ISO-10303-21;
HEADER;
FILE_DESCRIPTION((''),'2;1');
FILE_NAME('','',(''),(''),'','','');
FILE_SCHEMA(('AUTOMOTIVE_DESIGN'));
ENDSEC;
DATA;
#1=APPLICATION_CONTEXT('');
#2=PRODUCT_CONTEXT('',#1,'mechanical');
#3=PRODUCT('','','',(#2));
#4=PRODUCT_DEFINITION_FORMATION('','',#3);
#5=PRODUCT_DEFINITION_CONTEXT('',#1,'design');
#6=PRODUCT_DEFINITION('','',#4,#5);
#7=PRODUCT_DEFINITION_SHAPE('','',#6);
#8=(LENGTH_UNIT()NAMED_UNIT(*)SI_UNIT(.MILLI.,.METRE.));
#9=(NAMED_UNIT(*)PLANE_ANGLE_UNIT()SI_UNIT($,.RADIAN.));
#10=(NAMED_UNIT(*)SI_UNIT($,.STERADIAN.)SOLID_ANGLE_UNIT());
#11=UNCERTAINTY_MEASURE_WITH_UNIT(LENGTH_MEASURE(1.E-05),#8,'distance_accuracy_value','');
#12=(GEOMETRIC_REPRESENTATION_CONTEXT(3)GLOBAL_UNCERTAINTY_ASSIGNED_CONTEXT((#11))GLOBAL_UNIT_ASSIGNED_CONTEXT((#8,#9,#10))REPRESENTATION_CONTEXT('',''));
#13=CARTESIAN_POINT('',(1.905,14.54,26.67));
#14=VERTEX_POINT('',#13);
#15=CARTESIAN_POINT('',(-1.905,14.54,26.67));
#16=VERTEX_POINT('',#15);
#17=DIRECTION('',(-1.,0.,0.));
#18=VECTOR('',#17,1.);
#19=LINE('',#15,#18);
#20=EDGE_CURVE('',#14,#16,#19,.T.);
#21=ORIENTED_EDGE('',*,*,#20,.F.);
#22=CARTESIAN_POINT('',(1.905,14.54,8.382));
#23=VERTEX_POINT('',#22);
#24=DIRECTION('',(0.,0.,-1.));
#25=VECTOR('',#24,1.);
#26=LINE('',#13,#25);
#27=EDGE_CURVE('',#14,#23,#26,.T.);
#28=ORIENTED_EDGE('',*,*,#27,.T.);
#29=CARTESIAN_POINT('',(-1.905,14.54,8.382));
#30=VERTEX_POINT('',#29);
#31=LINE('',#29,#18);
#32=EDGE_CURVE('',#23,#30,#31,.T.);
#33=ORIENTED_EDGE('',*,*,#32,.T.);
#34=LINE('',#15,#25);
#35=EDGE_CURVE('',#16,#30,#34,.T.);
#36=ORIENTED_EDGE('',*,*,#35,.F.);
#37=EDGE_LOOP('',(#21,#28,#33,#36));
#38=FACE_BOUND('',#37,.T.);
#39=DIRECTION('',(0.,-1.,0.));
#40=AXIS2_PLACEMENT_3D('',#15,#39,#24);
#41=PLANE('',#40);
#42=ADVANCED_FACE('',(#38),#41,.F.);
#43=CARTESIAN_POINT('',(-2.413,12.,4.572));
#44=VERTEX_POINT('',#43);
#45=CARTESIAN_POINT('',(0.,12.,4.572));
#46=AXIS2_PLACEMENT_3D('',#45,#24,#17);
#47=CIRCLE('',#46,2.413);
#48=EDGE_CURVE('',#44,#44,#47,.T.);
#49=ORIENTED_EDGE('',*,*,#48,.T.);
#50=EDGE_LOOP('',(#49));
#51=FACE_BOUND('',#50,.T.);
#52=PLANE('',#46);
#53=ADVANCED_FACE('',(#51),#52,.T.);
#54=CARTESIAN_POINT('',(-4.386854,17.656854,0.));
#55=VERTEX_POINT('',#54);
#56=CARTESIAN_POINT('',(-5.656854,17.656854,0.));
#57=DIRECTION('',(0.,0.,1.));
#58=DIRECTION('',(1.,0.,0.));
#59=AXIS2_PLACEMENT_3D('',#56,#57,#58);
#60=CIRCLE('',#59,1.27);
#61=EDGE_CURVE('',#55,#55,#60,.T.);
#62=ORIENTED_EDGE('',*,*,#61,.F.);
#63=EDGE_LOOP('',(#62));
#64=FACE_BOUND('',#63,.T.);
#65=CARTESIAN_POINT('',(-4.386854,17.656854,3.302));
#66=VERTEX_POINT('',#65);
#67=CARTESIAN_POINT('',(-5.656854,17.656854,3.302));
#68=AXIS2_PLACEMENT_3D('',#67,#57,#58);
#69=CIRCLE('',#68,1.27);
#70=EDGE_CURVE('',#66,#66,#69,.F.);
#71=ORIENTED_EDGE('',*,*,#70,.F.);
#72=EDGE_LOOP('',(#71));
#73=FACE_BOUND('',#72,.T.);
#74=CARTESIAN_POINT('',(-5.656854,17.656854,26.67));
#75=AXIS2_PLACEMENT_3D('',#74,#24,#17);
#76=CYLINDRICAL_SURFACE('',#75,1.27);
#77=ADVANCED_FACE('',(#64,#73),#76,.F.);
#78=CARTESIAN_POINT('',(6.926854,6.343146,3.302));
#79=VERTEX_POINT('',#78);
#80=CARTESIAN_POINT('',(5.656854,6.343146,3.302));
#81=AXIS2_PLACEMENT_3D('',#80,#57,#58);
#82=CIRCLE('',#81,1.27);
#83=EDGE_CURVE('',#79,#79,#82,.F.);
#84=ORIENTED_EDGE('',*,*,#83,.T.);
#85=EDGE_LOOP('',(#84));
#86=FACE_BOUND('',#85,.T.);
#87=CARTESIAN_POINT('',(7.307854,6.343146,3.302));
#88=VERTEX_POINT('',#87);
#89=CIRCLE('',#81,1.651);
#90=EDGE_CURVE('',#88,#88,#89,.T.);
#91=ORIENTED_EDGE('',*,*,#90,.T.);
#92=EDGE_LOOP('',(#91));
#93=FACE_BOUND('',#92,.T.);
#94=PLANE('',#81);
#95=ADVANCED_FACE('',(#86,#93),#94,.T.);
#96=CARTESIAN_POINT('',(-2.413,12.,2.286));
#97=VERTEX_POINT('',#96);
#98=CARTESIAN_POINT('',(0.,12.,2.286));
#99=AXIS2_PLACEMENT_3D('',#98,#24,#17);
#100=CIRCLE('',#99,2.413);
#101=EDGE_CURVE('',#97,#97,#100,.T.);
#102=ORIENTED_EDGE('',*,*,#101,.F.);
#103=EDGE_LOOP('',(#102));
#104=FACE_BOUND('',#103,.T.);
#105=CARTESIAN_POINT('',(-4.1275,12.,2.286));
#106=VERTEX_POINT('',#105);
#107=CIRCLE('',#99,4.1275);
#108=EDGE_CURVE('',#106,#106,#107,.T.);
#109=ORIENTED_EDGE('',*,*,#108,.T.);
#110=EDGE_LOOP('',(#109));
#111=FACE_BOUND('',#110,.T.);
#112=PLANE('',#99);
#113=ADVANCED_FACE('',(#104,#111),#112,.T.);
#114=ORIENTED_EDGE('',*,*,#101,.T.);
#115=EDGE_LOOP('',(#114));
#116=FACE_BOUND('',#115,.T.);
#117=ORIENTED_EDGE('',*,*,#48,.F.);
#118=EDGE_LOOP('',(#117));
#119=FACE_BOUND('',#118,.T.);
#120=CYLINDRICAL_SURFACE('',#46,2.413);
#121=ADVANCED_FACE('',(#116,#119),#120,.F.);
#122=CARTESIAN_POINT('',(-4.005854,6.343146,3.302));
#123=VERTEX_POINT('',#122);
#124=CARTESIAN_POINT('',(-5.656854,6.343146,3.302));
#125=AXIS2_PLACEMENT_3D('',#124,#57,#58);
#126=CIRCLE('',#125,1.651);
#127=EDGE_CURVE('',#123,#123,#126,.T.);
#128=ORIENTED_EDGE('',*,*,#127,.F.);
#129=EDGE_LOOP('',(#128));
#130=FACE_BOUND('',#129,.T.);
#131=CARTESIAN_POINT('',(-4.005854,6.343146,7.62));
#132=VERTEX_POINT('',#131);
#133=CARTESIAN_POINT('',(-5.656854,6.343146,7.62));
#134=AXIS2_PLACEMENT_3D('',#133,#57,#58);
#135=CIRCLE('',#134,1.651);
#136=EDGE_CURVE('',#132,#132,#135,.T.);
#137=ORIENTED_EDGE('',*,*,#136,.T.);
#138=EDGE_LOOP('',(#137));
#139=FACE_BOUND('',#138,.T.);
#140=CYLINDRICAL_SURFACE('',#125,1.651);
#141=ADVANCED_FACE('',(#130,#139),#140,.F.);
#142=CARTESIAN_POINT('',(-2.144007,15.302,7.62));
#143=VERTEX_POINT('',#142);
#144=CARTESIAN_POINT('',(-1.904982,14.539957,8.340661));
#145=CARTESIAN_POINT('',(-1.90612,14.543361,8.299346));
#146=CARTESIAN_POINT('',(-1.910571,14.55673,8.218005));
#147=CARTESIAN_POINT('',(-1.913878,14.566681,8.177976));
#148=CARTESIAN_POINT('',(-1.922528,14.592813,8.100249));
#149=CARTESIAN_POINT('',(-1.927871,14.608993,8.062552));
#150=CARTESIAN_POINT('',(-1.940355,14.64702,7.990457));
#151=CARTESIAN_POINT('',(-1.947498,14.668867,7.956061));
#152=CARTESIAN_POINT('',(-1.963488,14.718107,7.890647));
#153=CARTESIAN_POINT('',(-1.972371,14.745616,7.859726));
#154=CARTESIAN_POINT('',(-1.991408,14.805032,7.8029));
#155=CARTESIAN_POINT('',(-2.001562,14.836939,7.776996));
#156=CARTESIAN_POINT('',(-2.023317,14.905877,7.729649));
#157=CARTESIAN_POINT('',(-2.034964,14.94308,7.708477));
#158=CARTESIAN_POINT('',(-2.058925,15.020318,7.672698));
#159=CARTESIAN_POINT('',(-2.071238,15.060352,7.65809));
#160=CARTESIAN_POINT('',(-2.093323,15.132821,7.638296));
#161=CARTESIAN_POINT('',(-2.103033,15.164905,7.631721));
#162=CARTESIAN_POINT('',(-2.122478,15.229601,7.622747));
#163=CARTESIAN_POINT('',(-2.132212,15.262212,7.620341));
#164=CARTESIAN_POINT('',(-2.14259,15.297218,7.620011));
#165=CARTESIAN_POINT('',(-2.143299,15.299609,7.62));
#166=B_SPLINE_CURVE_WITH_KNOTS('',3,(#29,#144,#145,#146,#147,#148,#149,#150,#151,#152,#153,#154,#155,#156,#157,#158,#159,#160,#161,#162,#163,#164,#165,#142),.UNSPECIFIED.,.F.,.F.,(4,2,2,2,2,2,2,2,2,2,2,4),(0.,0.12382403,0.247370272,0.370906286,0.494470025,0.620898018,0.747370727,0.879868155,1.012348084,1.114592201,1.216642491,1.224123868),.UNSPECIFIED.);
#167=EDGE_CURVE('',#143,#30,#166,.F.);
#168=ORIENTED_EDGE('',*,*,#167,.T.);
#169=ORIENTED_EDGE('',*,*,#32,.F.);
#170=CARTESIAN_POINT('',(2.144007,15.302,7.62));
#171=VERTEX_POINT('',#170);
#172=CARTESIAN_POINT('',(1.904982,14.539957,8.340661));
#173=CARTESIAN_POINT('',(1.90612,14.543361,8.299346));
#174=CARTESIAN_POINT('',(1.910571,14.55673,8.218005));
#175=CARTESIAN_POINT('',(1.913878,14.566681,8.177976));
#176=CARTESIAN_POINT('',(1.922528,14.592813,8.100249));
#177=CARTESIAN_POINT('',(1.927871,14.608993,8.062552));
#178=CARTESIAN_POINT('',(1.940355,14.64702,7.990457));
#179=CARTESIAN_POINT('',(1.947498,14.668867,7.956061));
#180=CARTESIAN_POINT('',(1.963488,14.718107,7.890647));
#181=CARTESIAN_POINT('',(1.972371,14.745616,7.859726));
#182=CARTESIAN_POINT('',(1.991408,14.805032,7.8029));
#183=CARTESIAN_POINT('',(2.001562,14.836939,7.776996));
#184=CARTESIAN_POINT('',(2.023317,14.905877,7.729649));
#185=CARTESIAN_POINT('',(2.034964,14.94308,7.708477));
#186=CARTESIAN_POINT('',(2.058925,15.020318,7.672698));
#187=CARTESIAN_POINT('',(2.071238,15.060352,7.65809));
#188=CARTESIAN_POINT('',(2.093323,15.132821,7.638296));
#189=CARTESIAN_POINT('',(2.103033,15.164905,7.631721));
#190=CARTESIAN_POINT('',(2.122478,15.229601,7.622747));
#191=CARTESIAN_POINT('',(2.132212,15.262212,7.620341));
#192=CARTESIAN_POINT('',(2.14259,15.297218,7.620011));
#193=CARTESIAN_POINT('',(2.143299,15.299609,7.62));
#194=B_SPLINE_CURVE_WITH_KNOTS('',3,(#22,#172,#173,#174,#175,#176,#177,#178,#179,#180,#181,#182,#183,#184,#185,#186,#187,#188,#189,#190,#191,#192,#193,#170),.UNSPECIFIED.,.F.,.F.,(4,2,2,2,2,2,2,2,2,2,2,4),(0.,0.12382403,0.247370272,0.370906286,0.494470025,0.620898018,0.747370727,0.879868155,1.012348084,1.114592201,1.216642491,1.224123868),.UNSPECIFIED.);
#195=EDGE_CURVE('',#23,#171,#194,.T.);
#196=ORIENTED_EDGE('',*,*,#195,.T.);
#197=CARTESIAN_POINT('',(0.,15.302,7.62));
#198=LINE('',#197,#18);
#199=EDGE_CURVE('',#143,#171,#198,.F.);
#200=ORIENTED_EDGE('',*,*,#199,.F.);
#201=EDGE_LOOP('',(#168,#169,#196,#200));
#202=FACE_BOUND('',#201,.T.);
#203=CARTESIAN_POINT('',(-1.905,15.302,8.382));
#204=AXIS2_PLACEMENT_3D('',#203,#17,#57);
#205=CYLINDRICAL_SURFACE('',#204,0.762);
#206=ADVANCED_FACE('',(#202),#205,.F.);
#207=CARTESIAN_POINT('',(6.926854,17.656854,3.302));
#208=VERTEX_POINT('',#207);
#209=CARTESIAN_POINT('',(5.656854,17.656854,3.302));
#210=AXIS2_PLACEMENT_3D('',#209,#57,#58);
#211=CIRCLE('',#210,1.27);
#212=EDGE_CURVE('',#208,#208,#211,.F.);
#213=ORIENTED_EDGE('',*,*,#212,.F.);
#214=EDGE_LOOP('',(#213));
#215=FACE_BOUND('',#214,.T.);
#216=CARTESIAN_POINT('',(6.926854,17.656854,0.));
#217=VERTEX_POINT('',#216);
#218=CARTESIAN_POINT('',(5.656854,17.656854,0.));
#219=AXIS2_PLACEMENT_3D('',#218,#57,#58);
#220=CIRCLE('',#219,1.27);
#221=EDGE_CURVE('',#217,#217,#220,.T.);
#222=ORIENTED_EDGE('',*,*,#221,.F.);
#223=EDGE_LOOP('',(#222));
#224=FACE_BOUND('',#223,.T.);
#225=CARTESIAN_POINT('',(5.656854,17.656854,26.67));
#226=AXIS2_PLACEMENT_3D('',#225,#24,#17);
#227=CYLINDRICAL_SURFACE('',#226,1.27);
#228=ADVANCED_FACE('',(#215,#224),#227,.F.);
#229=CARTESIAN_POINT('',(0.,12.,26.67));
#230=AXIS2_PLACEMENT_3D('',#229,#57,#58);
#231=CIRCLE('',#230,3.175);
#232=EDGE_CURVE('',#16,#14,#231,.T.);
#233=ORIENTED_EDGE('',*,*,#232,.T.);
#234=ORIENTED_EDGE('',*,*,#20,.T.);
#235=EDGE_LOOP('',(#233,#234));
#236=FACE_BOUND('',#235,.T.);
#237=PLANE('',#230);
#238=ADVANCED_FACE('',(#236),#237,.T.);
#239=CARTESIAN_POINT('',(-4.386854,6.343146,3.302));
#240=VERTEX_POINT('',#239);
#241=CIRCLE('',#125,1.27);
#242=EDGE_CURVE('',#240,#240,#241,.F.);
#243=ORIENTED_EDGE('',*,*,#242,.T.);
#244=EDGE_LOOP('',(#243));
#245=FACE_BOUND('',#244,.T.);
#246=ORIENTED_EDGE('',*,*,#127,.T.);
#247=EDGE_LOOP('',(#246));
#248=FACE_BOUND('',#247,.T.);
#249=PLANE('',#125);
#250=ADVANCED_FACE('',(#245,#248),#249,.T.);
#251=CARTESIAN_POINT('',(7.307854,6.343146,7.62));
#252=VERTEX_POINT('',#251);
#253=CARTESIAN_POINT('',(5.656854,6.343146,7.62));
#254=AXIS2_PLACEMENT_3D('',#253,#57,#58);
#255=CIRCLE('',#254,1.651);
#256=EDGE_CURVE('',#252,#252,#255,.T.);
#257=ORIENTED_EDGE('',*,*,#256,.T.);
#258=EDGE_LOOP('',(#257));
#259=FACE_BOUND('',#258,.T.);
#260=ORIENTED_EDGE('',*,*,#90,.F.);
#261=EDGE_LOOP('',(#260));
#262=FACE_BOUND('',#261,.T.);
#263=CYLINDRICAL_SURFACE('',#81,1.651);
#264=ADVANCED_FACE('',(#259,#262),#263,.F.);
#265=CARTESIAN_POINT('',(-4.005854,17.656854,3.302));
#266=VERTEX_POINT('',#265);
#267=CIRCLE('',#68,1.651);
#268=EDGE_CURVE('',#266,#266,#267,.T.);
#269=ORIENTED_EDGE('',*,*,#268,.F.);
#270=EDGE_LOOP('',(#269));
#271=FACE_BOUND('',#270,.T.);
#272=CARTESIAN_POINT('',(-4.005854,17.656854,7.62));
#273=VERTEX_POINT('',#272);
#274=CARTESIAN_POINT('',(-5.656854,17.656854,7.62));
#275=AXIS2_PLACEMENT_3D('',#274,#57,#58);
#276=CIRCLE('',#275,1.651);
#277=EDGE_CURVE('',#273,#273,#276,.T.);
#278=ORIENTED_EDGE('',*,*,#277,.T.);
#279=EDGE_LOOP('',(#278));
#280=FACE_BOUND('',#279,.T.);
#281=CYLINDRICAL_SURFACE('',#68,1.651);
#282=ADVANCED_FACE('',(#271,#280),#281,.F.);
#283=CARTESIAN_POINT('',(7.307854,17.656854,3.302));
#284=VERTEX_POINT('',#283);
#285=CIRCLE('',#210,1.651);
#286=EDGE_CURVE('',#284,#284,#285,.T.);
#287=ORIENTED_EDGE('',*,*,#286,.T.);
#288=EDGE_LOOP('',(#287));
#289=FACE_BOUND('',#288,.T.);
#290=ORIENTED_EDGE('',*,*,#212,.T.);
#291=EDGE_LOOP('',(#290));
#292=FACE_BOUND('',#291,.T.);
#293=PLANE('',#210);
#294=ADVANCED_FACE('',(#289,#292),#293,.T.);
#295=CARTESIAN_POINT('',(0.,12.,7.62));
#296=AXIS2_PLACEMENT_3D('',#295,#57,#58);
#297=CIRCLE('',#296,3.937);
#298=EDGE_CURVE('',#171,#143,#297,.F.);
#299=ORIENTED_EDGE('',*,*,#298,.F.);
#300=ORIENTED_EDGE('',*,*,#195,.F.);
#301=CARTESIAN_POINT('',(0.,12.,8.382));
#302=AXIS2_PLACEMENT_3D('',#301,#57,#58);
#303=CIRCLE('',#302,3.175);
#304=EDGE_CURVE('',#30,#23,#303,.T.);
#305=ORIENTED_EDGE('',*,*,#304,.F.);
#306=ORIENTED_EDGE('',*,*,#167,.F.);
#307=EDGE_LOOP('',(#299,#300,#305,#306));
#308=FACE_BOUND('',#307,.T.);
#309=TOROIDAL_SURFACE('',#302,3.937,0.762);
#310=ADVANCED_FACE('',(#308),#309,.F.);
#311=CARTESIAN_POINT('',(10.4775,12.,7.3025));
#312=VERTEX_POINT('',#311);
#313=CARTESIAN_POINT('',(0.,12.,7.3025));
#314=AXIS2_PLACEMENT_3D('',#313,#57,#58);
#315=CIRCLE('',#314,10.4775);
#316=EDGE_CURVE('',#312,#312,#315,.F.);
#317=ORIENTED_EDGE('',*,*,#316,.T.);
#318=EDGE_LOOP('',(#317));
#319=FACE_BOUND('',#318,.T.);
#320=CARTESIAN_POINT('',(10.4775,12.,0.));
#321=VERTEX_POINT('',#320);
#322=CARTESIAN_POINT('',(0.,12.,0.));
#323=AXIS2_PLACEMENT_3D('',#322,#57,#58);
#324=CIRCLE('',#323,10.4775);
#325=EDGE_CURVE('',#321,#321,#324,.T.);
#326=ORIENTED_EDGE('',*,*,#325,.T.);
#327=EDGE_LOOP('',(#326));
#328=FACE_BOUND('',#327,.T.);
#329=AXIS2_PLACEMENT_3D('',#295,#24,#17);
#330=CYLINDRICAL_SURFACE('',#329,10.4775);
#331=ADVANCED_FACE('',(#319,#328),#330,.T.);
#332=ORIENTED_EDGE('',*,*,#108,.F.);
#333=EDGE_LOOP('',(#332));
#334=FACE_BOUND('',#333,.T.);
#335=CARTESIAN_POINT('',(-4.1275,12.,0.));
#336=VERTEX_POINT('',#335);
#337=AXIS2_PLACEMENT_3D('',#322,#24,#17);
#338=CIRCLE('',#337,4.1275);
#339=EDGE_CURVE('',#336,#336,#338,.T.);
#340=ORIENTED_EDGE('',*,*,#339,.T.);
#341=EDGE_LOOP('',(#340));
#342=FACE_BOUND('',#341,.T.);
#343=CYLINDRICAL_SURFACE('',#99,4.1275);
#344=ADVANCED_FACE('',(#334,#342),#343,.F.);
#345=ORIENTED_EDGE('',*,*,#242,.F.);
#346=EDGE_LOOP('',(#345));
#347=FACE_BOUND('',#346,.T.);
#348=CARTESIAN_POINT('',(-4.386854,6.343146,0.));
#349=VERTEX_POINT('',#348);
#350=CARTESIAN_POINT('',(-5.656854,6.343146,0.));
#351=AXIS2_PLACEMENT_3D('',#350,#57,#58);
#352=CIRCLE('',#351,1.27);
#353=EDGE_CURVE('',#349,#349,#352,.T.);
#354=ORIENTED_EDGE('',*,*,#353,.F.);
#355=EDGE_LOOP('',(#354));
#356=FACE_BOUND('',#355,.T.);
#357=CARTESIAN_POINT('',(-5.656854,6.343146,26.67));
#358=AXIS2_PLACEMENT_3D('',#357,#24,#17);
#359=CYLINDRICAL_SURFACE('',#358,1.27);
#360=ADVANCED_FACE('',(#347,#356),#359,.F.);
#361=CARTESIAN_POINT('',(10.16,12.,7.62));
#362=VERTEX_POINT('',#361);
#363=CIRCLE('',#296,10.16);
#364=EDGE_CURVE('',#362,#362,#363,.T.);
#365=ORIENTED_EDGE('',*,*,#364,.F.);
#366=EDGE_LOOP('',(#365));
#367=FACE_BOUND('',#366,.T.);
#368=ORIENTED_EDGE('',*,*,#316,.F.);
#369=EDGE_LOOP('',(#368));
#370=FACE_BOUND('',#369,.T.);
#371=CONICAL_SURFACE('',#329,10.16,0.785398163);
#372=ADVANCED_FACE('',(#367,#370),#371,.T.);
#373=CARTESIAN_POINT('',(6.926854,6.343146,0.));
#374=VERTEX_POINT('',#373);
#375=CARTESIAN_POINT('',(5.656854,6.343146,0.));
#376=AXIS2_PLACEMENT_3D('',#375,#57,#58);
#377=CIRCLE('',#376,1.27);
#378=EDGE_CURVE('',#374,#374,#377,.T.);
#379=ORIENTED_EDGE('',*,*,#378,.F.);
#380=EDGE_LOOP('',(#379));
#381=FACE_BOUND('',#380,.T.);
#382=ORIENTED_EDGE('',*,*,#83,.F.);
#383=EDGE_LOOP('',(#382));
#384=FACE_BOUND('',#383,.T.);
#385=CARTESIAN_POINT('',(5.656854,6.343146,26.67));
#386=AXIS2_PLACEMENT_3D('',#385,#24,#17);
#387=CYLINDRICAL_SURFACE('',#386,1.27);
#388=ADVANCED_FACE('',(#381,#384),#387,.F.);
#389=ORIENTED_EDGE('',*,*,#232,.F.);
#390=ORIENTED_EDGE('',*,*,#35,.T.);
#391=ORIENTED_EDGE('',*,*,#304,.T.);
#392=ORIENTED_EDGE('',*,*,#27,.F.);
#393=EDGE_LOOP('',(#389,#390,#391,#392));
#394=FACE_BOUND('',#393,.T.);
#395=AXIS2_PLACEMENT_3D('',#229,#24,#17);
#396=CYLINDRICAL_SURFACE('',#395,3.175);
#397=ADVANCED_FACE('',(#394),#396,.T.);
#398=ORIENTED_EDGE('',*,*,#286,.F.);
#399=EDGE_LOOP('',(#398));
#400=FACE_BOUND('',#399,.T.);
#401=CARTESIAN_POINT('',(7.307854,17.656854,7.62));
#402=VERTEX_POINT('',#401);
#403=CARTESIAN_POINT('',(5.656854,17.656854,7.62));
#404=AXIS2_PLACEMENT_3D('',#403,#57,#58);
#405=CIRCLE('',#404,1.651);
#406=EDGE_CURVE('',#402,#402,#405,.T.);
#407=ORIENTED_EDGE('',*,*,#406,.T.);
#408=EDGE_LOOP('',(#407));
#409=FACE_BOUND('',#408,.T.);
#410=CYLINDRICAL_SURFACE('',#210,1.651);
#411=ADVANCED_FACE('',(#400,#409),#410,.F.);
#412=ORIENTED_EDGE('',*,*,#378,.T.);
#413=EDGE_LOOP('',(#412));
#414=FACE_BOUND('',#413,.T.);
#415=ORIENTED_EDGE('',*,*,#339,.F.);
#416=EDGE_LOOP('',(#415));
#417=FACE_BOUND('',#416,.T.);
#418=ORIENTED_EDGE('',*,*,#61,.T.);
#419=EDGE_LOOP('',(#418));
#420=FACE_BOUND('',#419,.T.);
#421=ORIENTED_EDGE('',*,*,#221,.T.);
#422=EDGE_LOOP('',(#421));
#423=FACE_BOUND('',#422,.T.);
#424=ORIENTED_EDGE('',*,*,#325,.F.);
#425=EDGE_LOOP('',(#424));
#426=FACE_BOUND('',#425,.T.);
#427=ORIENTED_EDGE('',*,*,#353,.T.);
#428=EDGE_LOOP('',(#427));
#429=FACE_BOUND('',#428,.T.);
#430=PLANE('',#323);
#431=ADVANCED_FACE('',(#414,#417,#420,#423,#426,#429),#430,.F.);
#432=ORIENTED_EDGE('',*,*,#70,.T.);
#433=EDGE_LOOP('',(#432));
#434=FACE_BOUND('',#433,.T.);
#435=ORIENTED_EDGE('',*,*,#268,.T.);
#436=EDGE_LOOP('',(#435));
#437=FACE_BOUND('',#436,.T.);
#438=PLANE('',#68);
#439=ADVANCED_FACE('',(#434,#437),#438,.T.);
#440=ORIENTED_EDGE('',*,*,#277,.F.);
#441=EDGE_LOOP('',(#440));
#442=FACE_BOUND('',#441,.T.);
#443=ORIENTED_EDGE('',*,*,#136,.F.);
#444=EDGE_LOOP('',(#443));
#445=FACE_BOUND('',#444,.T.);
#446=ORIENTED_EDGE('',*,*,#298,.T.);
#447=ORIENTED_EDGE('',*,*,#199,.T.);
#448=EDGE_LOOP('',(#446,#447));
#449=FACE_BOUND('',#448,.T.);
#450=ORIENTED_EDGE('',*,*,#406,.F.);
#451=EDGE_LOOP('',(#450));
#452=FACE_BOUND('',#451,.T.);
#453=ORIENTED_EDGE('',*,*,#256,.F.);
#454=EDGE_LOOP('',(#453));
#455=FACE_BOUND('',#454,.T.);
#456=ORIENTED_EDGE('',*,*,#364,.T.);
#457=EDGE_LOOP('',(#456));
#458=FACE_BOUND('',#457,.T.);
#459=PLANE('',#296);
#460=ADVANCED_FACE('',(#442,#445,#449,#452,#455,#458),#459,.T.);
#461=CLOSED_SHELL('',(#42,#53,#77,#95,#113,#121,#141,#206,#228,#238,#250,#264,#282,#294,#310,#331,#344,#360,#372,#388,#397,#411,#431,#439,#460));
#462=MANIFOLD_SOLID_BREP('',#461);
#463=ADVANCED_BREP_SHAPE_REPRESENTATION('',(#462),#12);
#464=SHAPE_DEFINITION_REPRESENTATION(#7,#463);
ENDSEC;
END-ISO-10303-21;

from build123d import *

# Parameters (mm, degrees)
ESQUISSE1_R                  = 10.4775
BOSS_EXTRU_1_DEPTH           = 7.62
ESQUISSE3_R                  = 4.1275
ENL_V_MAT_EXTRU_1_DEPTH      = 2.286
ESQUISSE4_R                  = 2.413
ENL_V_MAT_EXTRU_2_DEPTH      = 2.286
BOSS_EXTRU_2_DEPTH           = 19.05
ESQUISSE6_R                  = 1.27
ENL_V_MAT_EXTRU_3_DEPTH      = 1
ENL_V_MAT_EXTRU_3_DEPTH_BACK = 27.67
ESQUISSE7_R                  = 1.651
ENL_V_MAT_EXTRU_4_DEPTH      = 4.318
CHANFREIN1_SIZE              = 0.3175
CONG_1_R                     = 0.762


with BuildPart() as part:
    # Esquisse1 → Boss.-Extru.1 (new body)
    with BuildSketch(Plane.XY):
        with Locations((0, 12)):
            Circle(ESQUISSE1_R)
    extrude(amount=BOSS_EXTRU_1_DEPTH)

    # Esquisse3 → Enlèv. mat.-Extru.1 (cut)
    with BuildSketch(Plane(origin=(0, 0, 0), x_dir=(-1, 0, 0), z_dir=(0, 0, -1))):
        with Locations((0, 12)):
            Circle(ESQUISSE3_R)
    extrude(amount=-ENL_V_MAT_EXTRU_1_DEPTH, mode=Mode.SUBTRACT)

    # Esquisse4 → Enlèv. mat.-Extru.2 (cut)
    with BuildSketch(Plane(origin=(0, 0, 2.286), x_dir=(-1, 0, 0), z_dir=(0, 0, -1))):
        with Locations((0, 12)):
            Circle(ESQUISSE4_R)
    extrude(amount=-ENL_V_MAT_EXTRU_2_DEPTH, mode=Mode.SUBTRACT)

    # Esquisse5 → Boss.-Extru.2 (add)
    with BuildSketch(Plane.XY.offset(7.62)):
        with BuildLine():
            Line((-1.905, 14.54), (1.905, 14.54))
            ThreePointArc((1.905, 14.54), (0, 8.825), (-1.905, 14.54))
        make_face()
    extrude(amount=BOSS_EXTRU_2_DEPTH)

    # Esquisse6 → Enlèv. mat.-Extru.3 (cut, two sides)
    with BuildSketch(Plane(origin=(0, 0, 0), x_dir=(-1, 0, 0), z_dir=(0, 0, -1))) as enl_v_mat_extru_3_sk:
        with Locations((-5.656854249, 17.656854249)):
            Circle(ESQUISSE6_R)
        with Locations((5.656854249, 17.656854249)):
            Circle(ESQUISSE6_R)
        with Locations((5.656854249, 6.343145751)):
            Circle(ESQUISSE6_R)
        with Locations((-5.656854249, 6.343145751)):
            Circle(ESQUISSE6_R)
    extrude(amount=ENL_V_MAT_EXTRU_3_DEPTH, mode=Mode.SUBTRACT)
    extrude(enl_v_mat_extru_3_sk.sketch, amount=-ENL_V_MAT_EXTRU_3_DEPTH_BACK, mode=Mode.SUBTRACT)

    # Esquisse7 → Enlèv. mat.-Extru.4 (cut)
    with BuildSketch(Plane.XY.offset(7.62)):
        with Locations((-5.656854249, 17.656854249)):
            Circle(ESQUISSE7_R)
        with Locations((5.656854249, 17.656854249)):
            Circle(ESQUISSE7_R)
        with Locations((5.656854249, 6.343145751)):
            Circle(ESQUISSE7_R)
        with Locations((-5.656854249, 6.343145751)):
            Circle(ESQUISSE7_R)
    extrude(amount=-ENL_V_MAT_EXTRU_4_DEPTH, mode=Mode.SUBTRACT)

    # Chanfrein1
    chanfrein1_edges = [part.edges().sort_by_distance(p)[0] for p in [
        (-10.4775, 12, 7.62),
    ]]
    chamfer(chanfrein1_edges, length=CHANFREIN1_SIZE)

    # Congé1
    cong_1_edges = [part.edges().sort_by_distance(p)[0] for p in [
        (0, 8.825, 7.62),
        (0, 14.54, 7.62),
    ]]
    fillet(cong_1_edges, radius=CONG_1_R)


solid = part.part
